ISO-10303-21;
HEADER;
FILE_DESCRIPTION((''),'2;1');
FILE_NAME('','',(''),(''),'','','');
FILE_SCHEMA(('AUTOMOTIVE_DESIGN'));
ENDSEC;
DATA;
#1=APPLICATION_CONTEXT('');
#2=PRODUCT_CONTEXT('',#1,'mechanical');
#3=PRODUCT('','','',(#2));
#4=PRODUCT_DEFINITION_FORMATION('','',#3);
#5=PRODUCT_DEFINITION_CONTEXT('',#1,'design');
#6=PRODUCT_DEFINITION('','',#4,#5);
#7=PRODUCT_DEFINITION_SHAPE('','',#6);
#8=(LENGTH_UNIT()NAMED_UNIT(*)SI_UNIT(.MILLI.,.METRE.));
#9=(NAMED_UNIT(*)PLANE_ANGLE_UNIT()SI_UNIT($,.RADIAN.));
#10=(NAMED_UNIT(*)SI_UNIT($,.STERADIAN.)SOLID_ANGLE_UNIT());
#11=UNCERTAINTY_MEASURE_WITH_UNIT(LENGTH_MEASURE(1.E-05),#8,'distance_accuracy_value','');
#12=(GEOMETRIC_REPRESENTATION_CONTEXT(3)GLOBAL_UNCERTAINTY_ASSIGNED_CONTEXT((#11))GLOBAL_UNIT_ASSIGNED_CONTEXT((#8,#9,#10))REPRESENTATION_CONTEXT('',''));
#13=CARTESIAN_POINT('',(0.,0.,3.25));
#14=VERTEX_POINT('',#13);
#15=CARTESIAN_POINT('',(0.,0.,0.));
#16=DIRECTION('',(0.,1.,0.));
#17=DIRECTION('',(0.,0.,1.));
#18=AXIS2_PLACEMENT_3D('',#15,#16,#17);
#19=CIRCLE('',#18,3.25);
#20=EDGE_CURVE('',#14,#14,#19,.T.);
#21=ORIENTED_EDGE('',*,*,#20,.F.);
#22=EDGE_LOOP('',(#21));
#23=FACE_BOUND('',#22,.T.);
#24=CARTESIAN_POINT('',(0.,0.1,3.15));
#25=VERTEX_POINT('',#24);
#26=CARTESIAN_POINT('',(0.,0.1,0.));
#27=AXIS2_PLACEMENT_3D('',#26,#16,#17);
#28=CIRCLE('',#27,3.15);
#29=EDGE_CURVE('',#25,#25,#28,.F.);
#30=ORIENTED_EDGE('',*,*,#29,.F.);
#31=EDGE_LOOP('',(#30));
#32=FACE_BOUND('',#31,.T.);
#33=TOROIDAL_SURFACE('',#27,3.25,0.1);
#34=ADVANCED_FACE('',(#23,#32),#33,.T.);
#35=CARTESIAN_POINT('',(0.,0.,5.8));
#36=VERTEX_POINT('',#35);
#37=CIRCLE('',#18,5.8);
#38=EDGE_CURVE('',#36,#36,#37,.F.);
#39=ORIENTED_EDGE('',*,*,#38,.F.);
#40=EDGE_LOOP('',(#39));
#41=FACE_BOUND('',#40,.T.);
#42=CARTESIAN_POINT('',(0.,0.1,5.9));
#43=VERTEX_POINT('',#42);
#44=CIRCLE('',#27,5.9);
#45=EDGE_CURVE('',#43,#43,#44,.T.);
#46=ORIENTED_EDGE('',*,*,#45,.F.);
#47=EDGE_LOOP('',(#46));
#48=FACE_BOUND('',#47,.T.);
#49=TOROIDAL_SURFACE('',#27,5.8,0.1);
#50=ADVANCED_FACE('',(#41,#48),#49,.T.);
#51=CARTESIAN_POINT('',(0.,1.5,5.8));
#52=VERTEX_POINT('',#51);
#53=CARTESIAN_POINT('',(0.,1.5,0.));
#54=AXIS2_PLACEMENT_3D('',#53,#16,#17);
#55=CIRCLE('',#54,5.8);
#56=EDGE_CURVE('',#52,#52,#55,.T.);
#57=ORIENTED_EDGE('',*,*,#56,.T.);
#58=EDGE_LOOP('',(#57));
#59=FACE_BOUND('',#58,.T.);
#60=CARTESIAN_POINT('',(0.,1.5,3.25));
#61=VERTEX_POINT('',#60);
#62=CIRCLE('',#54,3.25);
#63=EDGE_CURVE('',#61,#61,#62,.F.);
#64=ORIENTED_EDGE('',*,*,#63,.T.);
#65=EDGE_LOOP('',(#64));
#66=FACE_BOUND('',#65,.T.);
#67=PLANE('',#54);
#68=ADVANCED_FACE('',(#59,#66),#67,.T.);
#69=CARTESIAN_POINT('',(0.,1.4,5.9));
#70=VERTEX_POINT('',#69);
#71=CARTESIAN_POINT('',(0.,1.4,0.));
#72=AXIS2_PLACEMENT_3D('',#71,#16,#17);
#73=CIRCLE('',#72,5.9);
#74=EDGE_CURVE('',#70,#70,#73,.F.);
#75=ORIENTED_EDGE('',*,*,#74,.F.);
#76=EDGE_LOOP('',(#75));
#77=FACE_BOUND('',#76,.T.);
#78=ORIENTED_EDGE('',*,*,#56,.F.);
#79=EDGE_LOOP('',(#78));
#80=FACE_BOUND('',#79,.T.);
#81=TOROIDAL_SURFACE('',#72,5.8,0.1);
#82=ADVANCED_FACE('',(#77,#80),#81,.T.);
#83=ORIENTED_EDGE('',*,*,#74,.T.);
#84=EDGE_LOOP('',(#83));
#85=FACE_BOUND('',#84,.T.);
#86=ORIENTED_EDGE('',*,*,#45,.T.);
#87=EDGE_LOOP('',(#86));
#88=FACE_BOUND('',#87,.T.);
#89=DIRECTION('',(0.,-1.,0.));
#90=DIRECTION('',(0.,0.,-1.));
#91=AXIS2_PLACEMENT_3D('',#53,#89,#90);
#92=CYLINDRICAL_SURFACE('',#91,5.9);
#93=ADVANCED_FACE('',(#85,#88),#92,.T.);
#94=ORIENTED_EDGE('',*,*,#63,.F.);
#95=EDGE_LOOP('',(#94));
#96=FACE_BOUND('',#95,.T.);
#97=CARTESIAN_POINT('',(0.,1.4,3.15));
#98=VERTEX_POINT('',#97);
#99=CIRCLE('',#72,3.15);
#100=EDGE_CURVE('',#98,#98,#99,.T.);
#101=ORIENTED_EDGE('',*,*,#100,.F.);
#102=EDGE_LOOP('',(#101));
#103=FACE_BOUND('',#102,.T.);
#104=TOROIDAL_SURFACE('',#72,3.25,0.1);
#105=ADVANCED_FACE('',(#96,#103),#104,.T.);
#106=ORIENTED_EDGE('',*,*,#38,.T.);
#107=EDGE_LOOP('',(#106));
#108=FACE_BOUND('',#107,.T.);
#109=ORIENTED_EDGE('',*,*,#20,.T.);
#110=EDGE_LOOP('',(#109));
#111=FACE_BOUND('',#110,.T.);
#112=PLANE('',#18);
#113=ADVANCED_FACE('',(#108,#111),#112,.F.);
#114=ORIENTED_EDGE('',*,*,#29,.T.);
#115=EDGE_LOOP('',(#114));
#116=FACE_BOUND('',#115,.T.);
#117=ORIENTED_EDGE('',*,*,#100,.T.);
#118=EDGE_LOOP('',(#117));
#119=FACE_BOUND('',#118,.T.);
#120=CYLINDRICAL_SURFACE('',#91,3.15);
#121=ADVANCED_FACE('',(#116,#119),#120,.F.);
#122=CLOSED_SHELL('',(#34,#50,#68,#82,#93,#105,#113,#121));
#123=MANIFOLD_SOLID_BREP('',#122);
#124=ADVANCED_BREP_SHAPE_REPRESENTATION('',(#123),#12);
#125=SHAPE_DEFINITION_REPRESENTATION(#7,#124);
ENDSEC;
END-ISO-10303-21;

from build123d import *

# Parameters (mm, degrees)
SKETCH_1_R      = 5.9
SKETCH_1_R_2    = 3.15
EXTRUDE_1_DEPTH = 1.5
FILLET_1_R      = 0.1


with BuildPart() as part:
    # Эскиз1 → Бобышка-Вытянуть1 (new body)
    with BuildSketch(Plane(origin=(0, 0, 0), x_dir=(1, 0, 0), z_dir=(0, 1, 0))):
        Circle(SKETCH_1_R)
        Circle(SKETCH_1_R_2, mode=Mode.SUBTRACT)
    extrude(amount=EXTRUDE_1_DEPTH)

    # Скругление1
    fillet_1_edges = [part.edges().sort_by_distance(p)[0] for p in [
        (-5.9, 0, 0),
        (-5.9, 1.5, 0),
        (-3.15, 0, 0),
        (-3.15, 1.5, 0),
    ]]
    fillet(fillet_1_edges, radius=FILLET_1_R)


solid = part.part
